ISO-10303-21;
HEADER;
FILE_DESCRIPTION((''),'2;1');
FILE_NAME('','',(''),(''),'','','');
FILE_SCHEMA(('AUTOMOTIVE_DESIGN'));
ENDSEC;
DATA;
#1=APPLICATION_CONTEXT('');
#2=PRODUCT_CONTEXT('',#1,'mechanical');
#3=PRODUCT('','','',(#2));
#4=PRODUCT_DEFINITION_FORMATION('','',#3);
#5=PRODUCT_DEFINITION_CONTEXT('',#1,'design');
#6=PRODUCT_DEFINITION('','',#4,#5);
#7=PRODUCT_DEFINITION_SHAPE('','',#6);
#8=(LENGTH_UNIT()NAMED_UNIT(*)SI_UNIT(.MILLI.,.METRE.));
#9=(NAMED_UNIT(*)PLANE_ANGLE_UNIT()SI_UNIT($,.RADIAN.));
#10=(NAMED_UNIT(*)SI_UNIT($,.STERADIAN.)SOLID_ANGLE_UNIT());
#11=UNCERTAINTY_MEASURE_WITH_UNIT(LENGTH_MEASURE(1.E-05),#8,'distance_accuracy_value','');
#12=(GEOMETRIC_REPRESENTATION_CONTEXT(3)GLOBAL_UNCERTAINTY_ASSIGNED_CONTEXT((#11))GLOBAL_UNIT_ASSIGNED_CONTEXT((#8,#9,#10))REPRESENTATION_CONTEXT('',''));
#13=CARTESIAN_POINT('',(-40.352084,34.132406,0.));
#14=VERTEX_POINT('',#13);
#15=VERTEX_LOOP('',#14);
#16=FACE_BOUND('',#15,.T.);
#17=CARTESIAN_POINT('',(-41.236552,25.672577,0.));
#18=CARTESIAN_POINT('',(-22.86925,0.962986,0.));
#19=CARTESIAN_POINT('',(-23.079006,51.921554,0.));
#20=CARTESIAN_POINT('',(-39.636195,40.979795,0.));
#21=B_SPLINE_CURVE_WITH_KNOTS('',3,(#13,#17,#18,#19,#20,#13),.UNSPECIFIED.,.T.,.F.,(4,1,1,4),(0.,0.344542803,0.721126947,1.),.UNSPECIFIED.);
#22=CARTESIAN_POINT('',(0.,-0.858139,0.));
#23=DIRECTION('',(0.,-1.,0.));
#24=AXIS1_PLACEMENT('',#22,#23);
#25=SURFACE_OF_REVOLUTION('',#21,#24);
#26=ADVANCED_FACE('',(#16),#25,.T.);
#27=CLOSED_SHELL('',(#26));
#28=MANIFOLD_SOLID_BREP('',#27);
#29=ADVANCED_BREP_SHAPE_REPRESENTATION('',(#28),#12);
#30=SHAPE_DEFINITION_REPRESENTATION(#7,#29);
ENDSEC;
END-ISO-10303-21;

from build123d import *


with BuildPart() as f1:
    # F0 (on Top) → F1 (revolve)
    with BuildSketch(Plane.XY):
        with BuildLine():
            add(Edge.make_bspline(
                [(-40.3520837426, 34.1324061155), (-41.2365518574, 25.6725766638), (-22.8692500719, 0.9629855167), (-23.0790055521, 51.9215542157), (-39.6361949746, 40.9797947134), (-40.3520837426, 34.1324061155)],
                knots=[0, 0, 0, 0, 0.3445428034, 0.7211269474, 1, 1, 1, 1], degree=3))
        make_face()
    revolve(axis=Axis((0, -0.8581392467, 0), (0, -1, 0)))


solid = f1.part
